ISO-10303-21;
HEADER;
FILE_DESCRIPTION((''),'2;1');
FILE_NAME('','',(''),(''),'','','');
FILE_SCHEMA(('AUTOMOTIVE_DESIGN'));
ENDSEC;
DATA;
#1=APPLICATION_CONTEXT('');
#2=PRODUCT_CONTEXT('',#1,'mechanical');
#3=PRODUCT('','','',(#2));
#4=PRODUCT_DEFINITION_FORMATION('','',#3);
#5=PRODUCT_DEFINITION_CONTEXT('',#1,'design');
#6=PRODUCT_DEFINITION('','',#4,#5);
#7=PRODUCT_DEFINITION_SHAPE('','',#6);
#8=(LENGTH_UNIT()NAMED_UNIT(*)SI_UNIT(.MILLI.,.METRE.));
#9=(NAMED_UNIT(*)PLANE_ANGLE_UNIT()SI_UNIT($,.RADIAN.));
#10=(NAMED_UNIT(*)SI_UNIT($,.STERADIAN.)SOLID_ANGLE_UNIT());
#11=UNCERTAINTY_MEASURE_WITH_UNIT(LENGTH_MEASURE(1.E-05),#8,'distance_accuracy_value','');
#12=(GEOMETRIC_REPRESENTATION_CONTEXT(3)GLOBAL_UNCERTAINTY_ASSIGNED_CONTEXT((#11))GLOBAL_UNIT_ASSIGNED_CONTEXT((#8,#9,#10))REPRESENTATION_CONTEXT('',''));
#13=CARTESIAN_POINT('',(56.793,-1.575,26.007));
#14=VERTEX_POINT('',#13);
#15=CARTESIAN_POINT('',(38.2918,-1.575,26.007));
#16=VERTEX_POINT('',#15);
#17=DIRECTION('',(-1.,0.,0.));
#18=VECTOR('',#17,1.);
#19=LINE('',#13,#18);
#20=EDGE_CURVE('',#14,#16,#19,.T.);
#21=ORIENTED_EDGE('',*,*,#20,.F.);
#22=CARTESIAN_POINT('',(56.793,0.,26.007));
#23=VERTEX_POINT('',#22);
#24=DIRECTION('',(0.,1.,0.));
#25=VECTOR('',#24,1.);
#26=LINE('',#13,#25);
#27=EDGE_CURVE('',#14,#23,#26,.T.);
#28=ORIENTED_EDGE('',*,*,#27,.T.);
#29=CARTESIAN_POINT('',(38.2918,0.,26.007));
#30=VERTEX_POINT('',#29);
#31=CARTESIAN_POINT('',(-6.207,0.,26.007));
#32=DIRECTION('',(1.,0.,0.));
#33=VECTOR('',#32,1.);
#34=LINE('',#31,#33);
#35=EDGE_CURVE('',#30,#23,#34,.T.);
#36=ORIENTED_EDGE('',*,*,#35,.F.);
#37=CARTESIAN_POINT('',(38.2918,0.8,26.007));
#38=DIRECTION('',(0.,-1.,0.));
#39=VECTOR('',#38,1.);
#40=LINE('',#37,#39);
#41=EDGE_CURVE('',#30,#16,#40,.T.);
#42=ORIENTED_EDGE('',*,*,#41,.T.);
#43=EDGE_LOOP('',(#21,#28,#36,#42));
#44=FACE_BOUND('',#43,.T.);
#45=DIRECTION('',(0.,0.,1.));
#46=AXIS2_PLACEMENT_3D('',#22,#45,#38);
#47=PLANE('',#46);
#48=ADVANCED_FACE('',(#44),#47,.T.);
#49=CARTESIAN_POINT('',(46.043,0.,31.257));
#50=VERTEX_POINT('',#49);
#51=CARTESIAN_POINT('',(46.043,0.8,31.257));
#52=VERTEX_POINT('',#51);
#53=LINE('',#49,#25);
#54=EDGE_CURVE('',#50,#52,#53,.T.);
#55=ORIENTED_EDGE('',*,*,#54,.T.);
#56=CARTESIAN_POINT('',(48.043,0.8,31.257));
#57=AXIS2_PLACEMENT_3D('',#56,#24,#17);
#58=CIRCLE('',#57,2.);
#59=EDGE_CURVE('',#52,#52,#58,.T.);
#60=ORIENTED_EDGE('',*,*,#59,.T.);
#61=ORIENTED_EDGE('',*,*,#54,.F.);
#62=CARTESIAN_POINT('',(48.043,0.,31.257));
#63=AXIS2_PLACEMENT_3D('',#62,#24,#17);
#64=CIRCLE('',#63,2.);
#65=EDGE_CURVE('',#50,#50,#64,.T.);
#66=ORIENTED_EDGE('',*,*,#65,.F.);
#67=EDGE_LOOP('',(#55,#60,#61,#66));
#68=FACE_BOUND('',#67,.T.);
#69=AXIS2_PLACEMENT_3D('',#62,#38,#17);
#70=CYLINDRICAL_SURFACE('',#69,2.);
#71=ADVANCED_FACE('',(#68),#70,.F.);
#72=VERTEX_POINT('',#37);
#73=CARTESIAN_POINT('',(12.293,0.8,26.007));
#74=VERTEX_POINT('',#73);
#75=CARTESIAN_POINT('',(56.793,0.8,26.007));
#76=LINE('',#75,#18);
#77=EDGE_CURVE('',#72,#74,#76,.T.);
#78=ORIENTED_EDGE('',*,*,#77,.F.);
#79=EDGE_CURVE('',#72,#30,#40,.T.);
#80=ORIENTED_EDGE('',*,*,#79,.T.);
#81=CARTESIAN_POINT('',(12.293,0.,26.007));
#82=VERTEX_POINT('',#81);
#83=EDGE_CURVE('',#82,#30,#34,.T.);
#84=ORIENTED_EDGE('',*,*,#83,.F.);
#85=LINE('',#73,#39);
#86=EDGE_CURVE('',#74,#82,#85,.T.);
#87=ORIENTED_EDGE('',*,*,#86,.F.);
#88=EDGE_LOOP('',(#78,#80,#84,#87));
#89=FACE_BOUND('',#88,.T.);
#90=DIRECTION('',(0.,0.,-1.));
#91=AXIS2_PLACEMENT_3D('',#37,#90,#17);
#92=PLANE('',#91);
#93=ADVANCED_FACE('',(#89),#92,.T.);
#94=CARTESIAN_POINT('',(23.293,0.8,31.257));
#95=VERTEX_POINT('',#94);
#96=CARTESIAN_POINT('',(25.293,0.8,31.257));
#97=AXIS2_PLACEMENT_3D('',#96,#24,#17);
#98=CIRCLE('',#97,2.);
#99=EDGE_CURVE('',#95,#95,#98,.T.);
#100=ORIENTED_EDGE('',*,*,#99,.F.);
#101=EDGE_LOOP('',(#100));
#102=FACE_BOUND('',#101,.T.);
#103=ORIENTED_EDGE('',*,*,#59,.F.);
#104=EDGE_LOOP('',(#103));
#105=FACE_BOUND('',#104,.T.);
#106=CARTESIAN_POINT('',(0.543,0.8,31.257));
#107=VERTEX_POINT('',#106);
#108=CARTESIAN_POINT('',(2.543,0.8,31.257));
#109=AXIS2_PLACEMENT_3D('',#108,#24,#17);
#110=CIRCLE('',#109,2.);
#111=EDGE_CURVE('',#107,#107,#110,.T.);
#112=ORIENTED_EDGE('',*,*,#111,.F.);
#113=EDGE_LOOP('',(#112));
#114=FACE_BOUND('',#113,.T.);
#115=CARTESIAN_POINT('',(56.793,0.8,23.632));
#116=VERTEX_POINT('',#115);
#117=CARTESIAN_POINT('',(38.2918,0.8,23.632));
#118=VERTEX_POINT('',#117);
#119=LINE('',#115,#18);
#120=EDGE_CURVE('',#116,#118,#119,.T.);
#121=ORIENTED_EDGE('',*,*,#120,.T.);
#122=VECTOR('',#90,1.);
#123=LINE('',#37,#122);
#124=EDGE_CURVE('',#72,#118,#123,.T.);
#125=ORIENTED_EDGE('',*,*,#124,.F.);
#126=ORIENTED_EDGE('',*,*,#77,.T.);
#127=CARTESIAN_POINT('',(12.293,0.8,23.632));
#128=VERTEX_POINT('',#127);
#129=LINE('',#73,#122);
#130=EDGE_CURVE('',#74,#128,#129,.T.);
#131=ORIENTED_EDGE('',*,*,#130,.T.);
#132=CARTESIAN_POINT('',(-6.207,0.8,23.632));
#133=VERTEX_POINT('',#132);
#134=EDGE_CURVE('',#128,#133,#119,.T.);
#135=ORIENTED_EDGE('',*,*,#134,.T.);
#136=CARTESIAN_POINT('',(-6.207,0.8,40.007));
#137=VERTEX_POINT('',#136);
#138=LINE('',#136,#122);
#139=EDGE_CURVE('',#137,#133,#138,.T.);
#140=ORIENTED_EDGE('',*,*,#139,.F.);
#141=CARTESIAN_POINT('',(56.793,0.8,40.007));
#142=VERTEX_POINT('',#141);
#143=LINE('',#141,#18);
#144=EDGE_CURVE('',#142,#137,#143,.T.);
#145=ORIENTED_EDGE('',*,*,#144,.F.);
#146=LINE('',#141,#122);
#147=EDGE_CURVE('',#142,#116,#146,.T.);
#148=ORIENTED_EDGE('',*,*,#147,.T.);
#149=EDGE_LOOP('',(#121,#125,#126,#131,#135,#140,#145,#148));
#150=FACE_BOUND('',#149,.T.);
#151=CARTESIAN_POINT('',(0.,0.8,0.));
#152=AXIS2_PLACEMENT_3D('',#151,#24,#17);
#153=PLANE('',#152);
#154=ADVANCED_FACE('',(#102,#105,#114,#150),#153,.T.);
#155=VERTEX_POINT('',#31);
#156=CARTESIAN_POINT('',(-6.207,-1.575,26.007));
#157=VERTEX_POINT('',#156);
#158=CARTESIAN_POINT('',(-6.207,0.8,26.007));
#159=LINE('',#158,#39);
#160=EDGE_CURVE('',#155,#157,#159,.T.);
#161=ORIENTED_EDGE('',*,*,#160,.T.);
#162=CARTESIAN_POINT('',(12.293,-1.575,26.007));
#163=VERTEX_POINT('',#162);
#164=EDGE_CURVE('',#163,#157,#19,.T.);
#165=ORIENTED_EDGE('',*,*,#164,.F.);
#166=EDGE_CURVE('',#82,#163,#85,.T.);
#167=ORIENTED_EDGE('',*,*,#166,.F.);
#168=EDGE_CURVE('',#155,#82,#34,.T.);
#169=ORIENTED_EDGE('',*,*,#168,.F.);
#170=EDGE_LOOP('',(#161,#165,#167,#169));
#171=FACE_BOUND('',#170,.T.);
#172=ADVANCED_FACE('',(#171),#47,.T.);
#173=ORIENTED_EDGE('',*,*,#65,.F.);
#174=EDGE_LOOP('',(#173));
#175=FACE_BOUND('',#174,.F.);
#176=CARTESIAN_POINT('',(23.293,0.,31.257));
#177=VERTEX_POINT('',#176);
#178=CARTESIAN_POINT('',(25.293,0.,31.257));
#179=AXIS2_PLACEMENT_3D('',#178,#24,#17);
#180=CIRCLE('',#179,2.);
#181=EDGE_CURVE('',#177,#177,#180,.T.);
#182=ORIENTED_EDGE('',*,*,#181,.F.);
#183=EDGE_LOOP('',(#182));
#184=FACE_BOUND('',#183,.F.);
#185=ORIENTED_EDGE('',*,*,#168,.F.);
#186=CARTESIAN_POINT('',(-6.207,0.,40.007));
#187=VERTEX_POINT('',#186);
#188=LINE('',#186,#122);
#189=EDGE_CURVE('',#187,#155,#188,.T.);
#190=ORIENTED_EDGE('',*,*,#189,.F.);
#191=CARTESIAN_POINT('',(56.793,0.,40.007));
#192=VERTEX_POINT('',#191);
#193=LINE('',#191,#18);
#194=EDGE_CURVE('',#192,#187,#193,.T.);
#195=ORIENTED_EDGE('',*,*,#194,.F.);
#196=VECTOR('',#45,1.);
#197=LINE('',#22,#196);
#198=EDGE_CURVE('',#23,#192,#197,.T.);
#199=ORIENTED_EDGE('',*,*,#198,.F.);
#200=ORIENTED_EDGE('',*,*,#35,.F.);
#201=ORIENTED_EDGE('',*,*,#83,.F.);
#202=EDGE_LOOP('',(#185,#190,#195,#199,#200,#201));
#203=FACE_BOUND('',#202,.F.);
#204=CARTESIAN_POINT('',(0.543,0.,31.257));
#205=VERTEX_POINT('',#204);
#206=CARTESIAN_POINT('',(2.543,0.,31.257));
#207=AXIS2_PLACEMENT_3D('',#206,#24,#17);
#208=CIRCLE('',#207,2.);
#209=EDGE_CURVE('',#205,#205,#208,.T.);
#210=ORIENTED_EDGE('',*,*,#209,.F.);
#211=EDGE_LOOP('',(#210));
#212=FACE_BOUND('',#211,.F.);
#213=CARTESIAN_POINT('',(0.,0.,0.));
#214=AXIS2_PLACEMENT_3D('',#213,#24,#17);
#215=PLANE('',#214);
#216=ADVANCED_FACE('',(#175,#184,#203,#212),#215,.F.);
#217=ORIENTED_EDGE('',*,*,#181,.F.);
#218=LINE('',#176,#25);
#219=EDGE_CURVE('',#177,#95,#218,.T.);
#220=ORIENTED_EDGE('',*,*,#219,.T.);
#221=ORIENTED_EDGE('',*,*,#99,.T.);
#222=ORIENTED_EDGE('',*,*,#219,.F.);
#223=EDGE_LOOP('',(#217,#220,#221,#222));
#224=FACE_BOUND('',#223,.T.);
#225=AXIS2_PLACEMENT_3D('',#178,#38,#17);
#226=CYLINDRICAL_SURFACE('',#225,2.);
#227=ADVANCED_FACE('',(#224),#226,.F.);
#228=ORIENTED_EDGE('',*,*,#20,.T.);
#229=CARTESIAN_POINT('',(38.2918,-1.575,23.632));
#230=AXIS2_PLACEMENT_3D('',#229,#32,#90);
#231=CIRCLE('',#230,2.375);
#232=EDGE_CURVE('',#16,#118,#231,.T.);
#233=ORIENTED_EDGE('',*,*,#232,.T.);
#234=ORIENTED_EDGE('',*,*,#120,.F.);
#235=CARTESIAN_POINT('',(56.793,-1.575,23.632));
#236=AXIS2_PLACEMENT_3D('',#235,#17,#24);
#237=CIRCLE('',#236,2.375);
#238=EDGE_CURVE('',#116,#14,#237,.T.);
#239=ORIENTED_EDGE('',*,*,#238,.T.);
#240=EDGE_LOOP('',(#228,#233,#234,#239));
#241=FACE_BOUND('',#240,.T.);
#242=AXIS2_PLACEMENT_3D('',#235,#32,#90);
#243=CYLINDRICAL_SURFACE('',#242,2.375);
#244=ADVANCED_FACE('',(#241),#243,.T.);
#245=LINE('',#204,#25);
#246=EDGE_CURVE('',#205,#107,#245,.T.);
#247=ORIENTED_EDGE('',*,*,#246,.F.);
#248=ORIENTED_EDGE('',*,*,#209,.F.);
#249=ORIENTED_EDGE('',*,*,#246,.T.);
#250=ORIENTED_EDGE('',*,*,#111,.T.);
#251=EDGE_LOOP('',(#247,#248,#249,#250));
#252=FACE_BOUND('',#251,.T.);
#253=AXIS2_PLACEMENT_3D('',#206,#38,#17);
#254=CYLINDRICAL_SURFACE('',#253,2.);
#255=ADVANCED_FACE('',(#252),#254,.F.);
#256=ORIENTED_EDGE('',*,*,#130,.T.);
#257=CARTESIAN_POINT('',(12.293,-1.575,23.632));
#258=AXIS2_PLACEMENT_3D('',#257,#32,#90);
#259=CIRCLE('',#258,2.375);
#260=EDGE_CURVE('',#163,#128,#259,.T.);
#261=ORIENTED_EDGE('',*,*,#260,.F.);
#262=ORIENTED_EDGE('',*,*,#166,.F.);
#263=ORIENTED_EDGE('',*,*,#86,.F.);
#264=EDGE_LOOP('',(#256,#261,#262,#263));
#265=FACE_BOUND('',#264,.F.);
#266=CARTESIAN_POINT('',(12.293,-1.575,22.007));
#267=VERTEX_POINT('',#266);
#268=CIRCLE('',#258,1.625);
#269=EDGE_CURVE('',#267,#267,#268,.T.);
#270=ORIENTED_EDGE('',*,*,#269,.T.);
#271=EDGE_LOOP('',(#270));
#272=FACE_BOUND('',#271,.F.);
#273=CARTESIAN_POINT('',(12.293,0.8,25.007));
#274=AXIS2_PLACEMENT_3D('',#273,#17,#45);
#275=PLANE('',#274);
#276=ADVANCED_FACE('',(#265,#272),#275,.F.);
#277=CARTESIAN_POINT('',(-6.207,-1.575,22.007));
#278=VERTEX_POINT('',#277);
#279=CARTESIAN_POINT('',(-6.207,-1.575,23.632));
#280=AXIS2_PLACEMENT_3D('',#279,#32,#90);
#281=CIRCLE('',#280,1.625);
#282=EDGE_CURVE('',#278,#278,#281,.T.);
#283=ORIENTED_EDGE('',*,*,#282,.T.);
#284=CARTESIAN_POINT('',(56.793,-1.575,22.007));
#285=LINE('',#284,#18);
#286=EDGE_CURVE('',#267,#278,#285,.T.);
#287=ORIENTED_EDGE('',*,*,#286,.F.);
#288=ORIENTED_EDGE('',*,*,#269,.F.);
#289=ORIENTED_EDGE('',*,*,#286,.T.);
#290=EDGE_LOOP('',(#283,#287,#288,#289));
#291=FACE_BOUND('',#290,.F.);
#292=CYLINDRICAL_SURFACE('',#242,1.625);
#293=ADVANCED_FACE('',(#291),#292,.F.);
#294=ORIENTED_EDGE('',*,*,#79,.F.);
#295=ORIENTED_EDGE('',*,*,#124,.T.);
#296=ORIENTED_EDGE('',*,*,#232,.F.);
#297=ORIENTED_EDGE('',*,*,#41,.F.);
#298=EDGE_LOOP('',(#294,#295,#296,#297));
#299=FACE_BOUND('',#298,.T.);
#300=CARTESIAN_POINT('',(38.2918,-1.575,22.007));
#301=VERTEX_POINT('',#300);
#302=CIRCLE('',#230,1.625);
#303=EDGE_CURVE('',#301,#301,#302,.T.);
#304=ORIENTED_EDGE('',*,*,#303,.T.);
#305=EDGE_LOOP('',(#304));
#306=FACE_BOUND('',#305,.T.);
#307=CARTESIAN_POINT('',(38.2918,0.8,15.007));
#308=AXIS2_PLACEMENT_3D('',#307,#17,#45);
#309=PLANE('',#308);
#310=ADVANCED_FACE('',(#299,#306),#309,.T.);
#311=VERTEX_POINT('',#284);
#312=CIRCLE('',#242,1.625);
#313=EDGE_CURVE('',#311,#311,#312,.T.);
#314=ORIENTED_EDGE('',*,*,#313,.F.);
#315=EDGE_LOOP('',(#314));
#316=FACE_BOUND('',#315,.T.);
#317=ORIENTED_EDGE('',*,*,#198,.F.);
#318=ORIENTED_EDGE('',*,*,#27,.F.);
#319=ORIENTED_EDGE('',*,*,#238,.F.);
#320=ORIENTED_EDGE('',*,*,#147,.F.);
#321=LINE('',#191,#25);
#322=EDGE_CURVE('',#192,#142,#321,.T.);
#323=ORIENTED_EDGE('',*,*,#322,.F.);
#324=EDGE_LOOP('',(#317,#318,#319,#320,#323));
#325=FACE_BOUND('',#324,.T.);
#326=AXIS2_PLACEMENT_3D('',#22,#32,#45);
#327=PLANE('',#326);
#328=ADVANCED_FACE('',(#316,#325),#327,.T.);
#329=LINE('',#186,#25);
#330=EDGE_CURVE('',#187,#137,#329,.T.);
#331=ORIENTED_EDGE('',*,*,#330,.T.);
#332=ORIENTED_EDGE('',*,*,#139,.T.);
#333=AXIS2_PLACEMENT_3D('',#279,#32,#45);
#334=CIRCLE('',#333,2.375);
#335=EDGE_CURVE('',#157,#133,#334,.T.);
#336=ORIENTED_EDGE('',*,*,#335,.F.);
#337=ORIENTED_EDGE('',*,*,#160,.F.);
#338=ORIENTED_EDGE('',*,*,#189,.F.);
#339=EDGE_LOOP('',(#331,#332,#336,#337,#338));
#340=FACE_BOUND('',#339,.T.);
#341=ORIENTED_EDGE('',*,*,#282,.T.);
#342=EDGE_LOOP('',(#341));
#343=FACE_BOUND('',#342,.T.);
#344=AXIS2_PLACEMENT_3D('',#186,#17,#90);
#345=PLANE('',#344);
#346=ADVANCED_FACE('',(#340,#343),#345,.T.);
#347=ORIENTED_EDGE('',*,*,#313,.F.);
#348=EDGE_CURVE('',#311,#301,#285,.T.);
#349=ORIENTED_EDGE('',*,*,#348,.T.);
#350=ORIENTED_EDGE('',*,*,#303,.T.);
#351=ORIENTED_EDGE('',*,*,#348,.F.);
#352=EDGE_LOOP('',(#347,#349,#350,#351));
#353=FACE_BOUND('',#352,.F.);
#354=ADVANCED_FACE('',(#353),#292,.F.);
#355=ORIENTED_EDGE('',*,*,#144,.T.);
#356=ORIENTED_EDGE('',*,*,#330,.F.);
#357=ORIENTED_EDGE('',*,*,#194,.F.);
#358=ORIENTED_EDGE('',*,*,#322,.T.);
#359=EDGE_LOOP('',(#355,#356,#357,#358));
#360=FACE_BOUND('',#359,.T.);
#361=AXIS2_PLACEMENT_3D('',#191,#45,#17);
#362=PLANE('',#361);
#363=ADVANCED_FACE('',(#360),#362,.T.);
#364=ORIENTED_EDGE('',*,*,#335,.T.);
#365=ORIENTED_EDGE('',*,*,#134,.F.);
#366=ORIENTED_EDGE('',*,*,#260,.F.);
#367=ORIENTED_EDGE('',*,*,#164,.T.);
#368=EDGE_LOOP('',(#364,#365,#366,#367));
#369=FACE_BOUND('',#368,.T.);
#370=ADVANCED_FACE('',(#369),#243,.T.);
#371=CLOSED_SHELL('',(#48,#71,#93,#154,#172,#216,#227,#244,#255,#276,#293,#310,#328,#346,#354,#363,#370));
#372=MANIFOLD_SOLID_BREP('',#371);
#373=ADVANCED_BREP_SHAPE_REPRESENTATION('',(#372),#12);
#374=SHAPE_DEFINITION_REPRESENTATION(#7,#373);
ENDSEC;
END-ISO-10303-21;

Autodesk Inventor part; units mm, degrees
ref_plane "YZ Plane" through (0, 0, 0) normal (1, 0, 0) x (0, 1, 0)
ref_plane "XZ Plane" through (0, 0, 0) normal (0, 1, 0) x (-1, 0, 0)
ref_plane "XY Plane" through (0, 0, 0) normal (0, 0, 1) x (1, 0, 0)
sketch "Boceto1" plane through (0, 0, 0) normal (0, 1, 0) x (-1, 0, 0)
  line L0 (6.207, 40.007) -> (6.207, 26.007)
  line L1 (6.207, 26.007) -> (-56.793, 26.007)
  line L2 (-56.793, 26.007) -> (-56.793, 40.007)
  line L3 (-56.793, 40.007) -> (6.207, 40.007)
  circle A0 centre (-2.543, 31.257) radius 2
  circle A1 centre (-48.043, 31.257) radius 2
  circle A2 centre (-25.293, 31.257) radius 2
  point P0 (0, 0)
  dimension "d0" = 14
  dimension "d1" = 63
  dimension "d33" = 4
  dimension "d34" = 4
  dimension "d35" = 4
  dimension "d36" = 8.75
  dimension "d37" = 8.75
  dimension "d38" = 8.75
  dimension "d39" = 8.75
  dimension "d40" = 8.75
  dimension "d41" = 31.5
extrude "Extrusión1" add sketch "Boceto1" along normal blind 0.8
sketch "Boceto7" plane through (56.793, 0, 40.007) normal (1, 0, 0) x (0, 0, -1)
  circle A0 centre (16.375, -1.575) radius 2.375
  circle A1 centre (16.375, -1.575) radius 1.625
  line L0 (14, 0) -> (14, 0.8) projected
  line L1 (0, 0.8) -> (14, 0.8) projected
  line L2 (0, 0) -> (14, 0) projected
  line L3 (14, 0) -> (14, -1.575)
  line L4 (14, 0.8) -> (16.375, 0.8)
  line L5 (14, 0.8) -> (14, 0)
  point P0 (40.007, 0)
  dimension "d25" = 4.75
  dimension "d26" = 3.25
extrude "Extrusión4" add sketch "Boceto7" against normal blind 63
sketch "Boceto9" plane through (0, 0.8, 0) normal (0, 1, 0) x (1, 0, 0)
  line L0 (-6.207, -25.257) -> (56.793, -25.257) projected
  line L1 (-6.207, -40.007) -> (-6.207, -23.632) projected
  line L2 (12.293, -25.007) -> (12.293, -15.007)
  line L3 (12.293, -15.007) -> (38.2918, -15.007)
  line L4 (38.2918, -15.007) -> (38.2918, -25.257)
  line L5 (38.2918, -25.257) -> (38.2918, -26.007)
  line L6 (56.793, -26.007) -> (-6.207, -26.007) projected
  line L7 (12.293, -25.007) -> (12.293, -26.007)
  line L8 (12.293, -26.007) -> (38.2918, -26.007)
  line L9 (56.793, -25.257) -> (38.2918, -25.257)
  line L10 (12.293, -25.007) -> (-6.207, -25.007)
  point P0 (0, 0)
  point P1 (38.2918, -25.257)
  point P2 (12.293, -25.257)
  point P3 (38.2918, -25.257)
  dimension "d43" = 26
extrude "Extrusión6" cut sketch "Boceto9" against normal blind 63 contours L7 L2 L3 L4 L0 | L0 L5 L6 L7
properties part number "Ala 1 Bisagra tipo Libro Chica"
